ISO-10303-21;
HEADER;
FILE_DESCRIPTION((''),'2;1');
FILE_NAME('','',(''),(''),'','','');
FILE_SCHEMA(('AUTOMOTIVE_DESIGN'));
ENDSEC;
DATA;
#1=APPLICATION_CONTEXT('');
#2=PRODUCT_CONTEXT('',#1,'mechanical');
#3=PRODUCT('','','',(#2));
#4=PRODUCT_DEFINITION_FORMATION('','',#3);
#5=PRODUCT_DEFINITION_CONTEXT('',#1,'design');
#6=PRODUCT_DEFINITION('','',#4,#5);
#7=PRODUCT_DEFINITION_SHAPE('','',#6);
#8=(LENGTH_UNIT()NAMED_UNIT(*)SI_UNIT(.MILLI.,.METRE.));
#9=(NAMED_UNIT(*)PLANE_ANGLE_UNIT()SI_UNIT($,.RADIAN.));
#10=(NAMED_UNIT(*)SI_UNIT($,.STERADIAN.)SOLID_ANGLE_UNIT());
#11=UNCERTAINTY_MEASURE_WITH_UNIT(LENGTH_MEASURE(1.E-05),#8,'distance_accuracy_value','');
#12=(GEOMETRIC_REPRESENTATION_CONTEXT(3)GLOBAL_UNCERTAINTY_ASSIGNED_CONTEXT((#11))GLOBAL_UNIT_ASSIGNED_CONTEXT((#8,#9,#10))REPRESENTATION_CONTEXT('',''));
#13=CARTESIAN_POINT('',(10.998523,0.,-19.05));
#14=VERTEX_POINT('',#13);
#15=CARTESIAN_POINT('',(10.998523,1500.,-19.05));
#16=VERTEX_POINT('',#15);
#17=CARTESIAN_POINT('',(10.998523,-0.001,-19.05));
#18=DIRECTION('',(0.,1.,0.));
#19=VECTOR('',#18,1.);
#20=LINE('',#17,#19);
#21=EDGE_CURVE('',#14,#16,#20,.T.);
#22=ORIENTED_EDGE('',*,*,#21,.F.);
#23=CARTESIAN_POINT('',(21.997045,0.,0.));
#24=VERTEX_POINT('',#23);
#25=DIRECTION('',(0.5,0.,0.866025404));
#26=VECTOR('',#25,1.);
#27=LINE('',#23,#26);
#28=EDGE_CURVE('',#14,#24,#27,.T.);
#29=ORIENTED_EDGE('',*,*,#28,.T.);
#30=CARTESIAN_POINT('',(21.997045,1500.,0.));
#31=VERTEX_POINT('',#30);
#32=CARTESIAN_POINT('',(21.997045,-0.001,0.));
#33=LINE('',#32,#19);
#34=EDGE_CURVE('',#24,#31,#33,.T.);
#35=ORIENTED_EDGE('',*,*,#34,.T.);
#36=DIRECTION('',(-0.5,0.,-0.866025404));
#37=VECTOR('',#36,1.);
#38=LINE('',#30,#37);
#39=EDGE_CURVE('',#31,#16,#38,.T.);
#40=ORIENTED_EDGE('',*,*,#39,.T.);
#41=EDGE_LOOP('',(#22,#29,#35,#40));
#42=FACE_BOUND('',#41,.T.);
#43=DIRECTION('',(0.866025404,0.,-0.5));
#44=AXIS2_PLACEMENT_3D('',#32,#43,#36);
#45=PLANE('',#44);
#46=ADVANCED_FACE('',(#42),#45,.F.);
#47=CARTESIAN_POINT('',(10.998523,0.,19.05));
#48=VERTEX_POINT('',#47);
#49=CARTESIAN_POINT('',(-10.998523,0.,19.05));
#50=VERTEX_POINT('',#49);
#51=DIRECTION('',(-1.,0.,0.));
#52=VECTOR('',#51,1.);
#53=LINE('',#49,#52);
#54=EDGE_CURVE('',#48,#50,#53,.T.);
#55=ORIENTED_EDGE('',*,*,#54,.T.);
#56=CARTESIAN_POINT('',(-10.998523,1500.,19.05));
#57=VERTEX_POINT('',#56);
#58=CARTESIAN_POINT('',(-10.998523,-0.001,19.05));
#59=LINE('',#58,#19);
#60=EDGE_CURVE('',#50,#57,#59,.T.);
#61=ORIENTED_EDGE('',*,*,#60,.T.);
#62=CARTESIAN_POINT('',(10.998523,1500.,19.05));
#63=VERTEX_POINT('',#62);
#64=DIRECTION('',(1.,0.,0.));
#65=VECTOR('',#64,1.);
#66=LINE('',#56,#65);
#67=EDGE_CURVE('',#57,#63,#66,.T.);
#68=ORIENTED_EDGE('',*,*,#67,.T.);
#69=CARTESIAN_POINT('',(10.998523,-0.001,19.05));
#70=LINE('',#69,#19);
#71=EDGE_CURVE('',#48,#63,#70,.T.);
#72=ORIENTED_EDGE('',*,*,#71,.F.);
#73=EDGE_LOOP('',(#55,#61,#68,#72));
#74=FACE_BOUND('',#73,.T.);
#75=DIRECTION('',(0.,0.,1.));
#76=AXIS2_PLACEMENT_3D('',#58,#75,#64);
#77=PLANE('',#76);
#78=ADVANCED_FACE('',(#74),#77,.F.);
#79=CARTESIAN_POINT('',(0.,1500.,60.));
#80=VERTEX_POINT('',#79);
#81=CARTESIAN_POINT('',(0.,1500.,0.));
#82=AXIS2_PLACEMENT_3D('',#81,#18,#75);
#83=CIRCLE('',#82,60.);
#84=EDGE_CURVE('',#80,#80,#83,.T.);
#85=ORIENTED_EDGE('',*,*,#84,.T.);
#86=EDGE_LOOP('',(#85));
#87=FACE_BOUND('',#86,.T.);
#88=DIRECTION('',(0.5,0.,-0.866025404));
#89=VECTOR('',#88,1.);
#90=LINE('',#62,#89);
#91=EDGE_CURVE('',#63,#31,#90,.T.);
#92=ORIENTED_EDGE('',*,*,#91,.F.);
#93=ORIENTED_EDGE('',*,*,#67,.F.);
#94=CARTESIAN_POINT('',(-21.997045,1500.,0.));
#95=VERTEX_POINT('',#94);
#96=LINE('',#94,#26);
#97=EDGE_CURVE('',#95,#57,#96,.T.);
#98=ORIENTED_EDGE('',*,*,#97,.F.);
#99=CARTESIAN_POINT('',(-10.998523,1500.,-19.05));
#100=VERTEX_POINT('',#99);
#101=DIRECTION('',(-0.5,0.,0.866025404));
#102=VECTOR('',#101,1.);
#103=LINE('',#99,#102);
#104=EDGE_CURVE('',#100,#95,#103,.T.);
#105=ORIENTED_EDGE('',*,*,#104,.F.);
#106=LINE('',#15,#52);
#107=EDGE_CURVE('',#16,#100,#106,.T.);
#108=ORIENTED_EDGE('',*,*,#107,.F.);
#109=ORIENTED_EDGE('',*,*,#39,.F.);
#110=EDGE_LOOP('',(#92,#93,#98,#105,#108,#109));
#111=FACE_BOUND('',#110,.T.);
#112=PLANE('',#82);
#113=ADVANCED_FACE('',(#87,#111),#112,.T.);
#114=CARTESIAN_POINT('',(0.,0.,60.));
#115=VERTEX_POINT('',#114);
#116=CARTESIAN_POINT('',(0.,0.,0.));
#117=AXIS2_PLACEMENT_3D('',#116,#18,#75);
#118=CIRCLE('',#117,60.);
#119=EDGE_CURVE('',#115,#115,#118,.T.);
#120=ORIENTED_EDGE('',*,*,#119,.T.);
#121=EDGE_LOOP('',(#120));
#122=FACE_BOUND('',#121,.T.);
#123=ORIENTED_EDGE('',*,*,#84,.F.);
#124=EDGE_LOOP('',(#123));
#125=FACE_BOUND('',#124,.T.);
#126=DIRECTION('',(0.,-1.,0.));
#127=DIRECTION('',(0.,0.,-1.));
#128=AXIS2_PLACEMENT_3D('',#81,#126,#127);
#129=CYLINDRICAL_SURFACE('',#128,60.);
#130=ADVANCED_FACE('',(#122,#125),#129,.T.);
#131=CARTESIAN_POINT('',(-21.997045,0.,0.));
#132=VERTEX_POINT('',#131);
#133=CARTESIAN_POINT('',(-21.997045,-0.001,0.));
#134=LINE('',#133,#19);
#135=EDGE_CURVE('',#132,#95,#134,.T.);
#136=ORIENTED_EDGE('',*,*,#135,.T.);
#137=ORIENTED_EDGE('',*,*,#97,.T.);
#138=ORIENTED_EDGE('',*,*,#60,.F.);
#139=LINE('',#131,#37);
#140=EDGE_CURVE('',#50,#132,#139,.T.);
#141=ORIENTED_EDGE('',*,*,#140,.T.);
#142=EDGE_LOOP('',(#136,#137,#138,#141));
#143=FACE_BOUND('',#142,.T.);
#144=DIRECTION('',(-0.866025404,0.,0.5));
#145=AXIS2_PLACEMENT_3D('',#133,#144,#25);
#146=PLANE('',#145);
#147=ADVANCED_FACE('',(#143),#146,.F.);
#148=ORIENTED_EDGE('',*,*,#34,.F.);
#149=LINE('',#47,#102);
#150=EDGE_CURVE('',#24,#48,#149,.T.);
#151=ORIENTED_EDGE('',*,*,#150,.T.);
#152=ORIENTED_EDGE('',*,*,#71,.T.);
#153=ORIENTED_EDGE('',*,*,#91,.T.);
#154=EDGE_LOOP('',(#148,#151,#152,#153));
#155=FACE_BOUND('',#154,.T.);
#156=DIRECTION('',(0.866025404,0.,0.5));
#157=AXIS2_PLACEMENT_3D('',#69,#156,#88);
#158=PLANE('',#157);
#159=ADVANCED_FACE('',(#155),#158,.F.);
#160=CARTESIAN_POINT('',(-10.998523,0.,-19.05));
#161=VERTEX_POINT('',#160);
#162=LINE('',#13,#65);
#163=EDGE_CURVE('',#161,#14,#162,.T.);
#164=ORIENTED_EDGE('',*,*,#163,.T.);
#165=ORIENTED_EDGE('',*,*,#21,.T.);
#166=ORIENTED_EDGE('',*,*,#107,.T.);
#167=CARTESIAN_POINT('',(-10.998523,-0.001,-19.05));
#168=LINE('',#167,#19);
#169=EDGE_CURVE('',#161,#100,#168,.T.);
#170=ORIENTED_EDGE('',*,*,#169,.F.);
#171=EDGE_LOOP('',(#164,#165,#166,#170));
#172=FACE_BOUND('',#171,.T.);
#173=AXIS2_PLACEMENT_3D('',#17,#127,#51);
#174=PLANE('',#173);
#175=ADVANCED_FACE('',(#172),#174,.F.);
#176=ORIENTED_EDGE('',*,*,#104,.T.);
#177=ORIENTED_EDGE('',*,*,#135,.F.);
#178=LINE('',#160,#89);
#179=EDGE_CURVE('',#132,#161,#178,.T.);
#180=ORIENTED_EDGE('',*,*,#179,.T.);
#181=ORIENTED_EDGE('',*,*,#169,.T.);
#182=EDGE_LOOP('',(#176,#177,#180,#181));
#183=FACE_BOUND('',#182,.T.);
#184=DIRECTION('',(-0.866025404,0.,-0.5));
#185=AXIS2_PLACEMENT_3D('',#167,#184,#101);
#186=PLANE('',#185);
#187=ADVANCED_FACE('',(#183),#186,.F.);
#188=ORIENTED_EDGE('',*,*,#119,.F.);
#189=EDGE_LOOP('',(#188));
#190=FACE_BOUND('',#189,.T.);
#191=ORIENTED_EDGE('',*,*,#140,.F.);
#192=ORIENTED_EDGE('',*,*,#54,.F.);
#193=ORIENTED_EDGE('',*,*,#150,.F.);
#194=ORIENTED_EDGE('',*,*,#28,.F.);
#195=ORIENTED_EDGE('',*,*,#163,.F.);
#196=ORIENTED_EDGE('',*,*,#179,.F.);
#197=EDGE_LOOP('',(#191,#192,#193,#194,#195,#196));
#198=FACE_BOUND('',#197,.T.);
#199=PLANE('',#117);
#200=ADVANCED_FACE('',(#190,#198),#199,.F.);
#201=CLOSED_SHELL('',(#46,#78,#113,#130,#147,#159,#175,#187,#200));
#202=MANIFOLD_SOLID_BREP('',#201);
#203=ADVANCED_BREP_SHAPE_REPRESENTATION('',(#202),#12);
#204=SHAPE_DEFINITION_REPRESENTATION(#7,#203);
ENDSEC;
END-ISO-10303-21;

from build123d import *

# Parameters (mm, degrees)
SKETCH1_R           = 60
BOSS_EXTRUDE1_DEPTH = 1500
CUT_EXTRUDE1_REACH  = 1504.398


with BuildPart() as part:
    # Sketch1 → Boss-Extrude1 (new body)
    with BuildSketch(Plane(origin=(0, 0, 0), x_dir=(1, 0, 0), z_dir=(0, 1, 0))):
        with Locations(Location((0, 0, 0), (0, 0, 270))):
            Circle(SKETCH1_R)
    extrude(amount=BOSS_EXTRUDE1_DEPTH)

    # Sketch2 → Cut-Extrude1 (cut, up to next)
    with BuildSketch(Plane(origin=(0, 1500, 0), x_dir=(1, 0, 0), z_dir=(0, 1, 0)), mode=Mode.PRIVATE) as cut_extrude1_sk1:
        Polygon((-10.998522628, 19.05), (-21.997045256, 0), (-10.998522628, -19.05), (10.998522628, -19.05), (21.997045256, 0), (10.998522628, 19.05), align=None)
    cut_extrude1_tool1 = extrude(cut_extrude1_sk1.sketch, amount=-CUT_EXTRUDE1_REACH, mode=Mode.PRIVATE) & part.part
    add(cut_extrude1_tool1.solids().sort_by_distance((0, 1500, 0))[0], mode=Mode.SUBTRACT)


solid = part.part
